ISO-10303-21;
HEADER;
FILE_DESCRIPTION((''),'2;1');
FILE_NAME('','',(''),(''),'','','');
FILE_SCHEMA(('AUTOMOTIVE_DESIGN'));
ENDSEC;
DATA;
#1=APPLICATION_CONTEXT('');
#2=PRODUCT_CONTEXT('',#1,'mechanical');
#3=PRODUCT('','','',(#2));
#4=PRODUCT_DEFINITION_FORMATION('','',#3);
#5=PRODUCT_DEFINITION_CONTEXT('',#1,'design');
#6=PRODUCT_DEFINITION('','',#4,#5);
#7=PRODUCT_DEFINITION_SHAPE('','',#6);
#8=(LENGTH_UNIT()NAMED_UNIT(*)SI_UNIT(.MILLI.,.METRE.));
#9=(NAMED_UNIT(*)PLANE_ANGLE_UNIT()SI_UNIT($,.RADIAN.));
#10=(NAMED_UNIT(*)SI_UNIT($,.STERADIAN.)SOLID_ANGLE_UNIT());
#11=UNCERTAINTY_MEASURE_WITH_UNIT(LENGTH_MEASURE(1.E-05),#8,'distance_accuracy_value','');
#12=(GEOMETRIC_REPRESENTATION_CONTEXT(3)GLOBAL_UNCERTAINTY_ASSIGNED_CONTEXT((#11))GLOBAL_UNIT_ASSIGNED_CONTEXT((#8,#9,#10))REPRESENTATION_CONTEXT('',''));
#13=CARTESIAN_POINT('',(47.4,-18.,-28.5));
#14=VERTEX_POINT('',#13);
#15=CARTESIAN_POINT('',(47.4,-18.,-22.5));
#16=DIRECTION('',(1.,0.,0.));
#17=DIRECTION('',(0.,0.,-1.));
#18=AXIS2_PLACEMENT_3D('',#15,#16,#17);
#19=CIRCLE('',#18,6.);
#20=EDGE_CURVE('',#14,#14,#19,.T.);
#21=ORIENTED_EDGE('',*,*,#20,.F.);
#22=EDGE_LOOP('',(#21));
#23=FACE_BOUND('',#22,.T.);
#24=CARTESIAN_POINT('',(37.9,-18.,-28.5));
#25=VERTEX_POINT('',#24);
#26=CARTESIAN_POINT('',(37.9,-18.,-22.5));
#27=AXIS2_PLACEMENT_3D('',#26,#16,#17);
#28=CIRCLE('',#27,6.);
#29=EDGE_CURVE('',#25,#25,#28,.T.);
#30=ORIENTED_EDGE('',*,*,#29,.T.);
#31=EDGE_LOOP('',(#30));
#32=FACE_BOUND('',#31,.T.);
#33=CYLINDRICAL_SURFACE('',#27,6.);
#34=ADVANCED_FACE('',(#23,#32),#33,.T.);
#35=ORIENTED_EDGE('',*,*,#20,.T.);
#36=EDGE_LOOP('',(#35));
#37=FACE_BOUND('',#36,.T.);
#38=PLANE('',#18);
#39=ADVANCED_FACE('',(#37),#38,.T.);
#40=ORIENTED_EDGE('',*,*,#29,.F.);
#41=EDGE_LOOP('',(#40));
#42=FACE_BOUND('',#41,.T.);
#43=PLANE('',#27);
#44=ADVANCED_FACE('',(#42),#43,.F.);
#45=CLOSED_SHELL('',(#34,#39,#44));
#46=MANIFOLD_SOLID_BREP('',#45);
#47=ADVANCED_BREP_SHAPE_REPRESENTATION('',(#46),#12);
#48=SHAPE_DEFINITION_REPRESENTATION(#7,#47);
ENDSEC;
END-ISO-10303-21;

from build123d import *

# Parameters (mm, degrees)
BODY_SK1_R = 6
BODY_DEPTH = 9.5


with BuildPart() as part:
    # Body_Sk1 → Body (new body)
    with BuildSketch(Plane(origin=(47.4, 0, 0), x_dir=(0, 0, -1), z_dir=(1, 0, 0))):
        with Locations((22.5, -18)):
            Circle(BODY_SK1_R)
    extrude(amount=-BODY_DEPTH)


solid = part.part
